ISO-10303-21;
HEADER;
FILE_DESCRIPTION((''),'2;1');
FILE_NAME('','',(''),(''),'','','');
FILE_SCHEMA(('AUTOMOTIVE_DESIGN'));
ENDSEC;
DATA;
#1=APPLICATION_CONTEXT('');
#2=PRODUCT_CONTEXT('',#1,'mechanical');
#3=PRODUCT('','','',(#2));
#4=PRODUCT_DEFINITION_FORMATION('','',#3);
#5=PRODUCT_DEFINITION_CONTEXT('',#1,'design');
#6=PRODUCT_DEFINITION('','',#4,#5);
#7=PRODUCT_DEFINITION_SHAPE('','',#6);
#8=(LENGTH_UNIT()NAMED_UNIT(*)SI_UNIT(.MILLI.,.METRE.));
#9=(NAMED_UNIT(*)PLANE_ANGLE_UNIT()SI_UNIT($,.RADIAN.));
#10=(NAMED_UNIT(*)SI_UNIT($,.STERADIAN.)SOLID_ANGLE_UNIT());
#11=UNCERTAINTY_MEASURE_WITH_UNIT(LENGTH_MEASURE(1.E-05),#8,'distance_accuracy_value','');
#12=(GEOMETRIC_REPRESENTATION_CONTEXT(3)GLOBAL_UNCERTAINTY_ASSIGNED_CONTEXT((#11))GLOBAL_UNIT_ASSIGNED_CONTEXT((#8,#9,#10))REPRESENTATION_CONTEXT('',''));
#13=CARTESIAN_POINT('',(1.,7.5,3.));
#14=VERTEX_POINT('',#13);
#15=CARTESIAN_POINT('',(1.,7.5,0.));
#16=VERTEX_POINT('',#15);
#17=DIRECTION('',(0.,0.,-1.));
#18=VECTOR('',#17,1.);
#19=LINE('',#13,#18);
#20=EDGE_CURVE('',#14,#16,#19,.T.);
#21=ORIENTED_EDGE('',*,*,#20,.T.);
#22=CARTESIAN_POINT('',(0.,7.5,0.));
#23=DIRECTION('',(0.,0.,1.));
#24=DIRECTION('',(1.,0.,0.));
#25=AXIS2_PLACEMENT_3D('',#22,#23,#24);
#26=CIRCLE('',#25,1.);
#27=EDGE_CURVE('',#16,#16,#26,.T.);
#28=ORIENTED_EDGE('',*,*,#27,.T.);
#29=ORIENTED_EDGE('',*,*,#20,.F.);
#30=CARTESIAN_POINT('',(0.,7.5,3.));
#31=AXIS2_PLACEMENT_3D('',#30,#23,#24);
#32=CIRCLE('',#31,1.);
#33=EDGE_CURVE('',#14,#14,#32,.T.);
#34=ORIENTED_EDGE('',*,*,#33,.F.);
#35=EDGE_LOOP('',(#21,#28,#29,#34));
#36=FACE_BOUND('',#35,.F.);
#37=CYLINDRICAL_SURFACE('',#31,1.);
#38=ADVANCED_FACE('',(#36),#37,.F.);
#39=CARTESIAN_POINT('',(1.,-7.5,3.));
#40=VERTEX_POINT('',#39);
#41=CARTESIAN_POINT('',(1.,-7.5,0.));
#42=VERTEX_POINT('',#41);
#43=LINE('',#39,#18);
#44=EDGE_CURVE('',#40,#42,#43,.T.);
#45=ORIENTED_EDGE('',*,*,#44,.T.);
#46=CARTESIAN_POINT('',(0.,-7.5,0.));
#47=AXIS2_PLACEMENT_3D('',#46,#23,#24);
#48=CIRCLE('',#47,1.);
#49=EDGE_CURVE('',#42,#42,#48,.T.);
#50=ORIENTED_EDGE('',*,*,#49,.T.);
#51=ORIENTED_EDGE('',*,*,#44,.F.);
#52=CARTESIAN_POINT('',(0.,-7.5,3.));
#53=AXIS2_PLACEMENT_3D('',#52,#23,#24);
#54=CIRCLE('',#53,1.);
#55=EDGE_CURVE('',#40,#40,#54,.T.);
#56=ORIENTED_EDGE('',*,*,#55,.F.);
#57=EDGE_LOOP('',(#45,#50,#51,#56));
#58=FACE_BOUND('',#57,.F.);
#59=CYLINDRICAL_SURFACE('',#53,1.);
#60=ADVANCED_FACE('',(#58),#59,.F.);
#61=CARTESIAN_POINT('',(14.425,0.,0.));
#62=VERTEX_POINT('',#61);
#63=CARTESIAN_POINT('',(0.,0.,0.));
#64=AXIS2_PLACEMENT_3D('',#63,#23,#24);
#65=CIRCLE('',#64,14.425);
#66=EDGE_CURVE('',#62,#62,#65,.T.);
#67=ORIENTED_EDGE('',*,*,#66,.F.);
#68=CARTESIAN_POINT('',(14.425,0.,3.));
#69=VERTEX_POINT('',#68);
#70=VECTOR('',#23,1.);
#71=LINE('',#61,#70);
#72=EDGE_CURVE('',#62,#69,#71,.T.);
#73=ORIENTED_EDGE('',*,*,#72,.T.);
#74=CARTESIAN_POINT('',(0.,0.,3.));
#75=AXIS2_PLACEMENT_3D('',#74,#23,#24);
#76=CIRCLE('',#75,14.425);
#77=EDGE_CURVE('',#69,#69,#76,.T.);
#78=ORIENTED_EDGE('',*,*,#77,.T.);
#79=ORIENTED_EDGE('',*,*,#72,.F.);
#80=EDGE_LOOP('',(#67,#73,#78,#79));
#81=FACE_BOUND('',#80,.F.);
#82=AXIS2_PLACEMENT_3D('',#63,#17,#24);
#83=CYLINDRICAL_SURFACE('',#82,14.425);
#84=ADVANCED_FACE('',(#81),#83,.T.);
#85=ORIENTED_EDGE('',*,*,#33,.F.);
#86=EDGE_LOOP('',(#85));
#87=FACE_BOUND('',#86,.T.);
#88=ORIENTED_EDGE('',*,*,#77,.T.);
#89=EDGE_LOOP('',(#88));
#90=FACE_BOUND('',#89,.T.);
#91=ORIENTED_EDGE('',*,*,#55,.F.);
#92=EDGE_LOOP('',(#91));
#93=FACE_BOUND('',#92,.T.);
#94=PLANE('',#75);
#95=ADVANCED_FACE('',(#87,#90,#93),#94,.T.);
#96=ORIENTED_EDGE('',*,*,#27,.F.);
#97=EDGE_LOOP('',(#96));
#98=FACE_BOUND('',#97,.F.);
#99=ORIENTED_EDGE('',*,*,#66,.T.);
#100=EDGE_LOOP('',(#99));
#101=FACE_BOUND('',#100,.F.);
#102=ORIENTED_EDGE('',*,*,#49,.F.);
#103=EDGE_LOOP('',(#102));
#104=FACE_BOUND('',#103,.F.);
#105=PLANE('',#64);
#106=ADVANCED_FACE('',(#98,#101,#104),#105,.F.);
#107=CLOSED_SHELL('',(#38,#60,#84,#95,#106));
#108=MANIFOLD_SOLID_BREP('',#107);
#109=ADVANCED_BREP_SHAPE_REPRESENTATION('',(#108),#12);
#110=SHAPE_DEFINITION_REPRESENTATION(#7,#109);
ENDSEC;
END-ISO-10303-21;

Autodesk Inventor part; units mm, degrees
ref_plane "YZ Plane" through (0, 0, 0) normal (1, 0, 0) x (0, 1, 0)
ref_plane "XZ Plane" through (0, 0, 0) normal (0, 1, 0) x (-1, 0, 0)
ref_plane "XY Plane" through (0, 0, 0) normal (0, 0, 1) x (1, 0, 0)
sketch "Sketch1" plane through (0, 0, 0) normal (0, 0, 1) x (1, 0, 0)
  circle A0 centre (0, 0) radius 14.425
  dimension "d0" = 28.85
extrude "Extrusion1" add sketch "Sketch1" along normal blind 3
sketch "Sketch2" plane through (0, 0, 3) normal (0, 0, 1) x (1, 0, 0)
  circle A0 centre (0, 0) radius 14.425 projected
  circle A1 centre (0, 7.5) radius 1
  circle A2 centre (0, -7.5) radius 1
  dimension "d31" = 2
  dimension "d34" = 15
  dimension "d35" = 7.5
extrude "Extrusion4" cut sketch "Sketch2" against normal blind 10 contours A1 | A2
properties part number "Aft Inner Endcap 26022513"
